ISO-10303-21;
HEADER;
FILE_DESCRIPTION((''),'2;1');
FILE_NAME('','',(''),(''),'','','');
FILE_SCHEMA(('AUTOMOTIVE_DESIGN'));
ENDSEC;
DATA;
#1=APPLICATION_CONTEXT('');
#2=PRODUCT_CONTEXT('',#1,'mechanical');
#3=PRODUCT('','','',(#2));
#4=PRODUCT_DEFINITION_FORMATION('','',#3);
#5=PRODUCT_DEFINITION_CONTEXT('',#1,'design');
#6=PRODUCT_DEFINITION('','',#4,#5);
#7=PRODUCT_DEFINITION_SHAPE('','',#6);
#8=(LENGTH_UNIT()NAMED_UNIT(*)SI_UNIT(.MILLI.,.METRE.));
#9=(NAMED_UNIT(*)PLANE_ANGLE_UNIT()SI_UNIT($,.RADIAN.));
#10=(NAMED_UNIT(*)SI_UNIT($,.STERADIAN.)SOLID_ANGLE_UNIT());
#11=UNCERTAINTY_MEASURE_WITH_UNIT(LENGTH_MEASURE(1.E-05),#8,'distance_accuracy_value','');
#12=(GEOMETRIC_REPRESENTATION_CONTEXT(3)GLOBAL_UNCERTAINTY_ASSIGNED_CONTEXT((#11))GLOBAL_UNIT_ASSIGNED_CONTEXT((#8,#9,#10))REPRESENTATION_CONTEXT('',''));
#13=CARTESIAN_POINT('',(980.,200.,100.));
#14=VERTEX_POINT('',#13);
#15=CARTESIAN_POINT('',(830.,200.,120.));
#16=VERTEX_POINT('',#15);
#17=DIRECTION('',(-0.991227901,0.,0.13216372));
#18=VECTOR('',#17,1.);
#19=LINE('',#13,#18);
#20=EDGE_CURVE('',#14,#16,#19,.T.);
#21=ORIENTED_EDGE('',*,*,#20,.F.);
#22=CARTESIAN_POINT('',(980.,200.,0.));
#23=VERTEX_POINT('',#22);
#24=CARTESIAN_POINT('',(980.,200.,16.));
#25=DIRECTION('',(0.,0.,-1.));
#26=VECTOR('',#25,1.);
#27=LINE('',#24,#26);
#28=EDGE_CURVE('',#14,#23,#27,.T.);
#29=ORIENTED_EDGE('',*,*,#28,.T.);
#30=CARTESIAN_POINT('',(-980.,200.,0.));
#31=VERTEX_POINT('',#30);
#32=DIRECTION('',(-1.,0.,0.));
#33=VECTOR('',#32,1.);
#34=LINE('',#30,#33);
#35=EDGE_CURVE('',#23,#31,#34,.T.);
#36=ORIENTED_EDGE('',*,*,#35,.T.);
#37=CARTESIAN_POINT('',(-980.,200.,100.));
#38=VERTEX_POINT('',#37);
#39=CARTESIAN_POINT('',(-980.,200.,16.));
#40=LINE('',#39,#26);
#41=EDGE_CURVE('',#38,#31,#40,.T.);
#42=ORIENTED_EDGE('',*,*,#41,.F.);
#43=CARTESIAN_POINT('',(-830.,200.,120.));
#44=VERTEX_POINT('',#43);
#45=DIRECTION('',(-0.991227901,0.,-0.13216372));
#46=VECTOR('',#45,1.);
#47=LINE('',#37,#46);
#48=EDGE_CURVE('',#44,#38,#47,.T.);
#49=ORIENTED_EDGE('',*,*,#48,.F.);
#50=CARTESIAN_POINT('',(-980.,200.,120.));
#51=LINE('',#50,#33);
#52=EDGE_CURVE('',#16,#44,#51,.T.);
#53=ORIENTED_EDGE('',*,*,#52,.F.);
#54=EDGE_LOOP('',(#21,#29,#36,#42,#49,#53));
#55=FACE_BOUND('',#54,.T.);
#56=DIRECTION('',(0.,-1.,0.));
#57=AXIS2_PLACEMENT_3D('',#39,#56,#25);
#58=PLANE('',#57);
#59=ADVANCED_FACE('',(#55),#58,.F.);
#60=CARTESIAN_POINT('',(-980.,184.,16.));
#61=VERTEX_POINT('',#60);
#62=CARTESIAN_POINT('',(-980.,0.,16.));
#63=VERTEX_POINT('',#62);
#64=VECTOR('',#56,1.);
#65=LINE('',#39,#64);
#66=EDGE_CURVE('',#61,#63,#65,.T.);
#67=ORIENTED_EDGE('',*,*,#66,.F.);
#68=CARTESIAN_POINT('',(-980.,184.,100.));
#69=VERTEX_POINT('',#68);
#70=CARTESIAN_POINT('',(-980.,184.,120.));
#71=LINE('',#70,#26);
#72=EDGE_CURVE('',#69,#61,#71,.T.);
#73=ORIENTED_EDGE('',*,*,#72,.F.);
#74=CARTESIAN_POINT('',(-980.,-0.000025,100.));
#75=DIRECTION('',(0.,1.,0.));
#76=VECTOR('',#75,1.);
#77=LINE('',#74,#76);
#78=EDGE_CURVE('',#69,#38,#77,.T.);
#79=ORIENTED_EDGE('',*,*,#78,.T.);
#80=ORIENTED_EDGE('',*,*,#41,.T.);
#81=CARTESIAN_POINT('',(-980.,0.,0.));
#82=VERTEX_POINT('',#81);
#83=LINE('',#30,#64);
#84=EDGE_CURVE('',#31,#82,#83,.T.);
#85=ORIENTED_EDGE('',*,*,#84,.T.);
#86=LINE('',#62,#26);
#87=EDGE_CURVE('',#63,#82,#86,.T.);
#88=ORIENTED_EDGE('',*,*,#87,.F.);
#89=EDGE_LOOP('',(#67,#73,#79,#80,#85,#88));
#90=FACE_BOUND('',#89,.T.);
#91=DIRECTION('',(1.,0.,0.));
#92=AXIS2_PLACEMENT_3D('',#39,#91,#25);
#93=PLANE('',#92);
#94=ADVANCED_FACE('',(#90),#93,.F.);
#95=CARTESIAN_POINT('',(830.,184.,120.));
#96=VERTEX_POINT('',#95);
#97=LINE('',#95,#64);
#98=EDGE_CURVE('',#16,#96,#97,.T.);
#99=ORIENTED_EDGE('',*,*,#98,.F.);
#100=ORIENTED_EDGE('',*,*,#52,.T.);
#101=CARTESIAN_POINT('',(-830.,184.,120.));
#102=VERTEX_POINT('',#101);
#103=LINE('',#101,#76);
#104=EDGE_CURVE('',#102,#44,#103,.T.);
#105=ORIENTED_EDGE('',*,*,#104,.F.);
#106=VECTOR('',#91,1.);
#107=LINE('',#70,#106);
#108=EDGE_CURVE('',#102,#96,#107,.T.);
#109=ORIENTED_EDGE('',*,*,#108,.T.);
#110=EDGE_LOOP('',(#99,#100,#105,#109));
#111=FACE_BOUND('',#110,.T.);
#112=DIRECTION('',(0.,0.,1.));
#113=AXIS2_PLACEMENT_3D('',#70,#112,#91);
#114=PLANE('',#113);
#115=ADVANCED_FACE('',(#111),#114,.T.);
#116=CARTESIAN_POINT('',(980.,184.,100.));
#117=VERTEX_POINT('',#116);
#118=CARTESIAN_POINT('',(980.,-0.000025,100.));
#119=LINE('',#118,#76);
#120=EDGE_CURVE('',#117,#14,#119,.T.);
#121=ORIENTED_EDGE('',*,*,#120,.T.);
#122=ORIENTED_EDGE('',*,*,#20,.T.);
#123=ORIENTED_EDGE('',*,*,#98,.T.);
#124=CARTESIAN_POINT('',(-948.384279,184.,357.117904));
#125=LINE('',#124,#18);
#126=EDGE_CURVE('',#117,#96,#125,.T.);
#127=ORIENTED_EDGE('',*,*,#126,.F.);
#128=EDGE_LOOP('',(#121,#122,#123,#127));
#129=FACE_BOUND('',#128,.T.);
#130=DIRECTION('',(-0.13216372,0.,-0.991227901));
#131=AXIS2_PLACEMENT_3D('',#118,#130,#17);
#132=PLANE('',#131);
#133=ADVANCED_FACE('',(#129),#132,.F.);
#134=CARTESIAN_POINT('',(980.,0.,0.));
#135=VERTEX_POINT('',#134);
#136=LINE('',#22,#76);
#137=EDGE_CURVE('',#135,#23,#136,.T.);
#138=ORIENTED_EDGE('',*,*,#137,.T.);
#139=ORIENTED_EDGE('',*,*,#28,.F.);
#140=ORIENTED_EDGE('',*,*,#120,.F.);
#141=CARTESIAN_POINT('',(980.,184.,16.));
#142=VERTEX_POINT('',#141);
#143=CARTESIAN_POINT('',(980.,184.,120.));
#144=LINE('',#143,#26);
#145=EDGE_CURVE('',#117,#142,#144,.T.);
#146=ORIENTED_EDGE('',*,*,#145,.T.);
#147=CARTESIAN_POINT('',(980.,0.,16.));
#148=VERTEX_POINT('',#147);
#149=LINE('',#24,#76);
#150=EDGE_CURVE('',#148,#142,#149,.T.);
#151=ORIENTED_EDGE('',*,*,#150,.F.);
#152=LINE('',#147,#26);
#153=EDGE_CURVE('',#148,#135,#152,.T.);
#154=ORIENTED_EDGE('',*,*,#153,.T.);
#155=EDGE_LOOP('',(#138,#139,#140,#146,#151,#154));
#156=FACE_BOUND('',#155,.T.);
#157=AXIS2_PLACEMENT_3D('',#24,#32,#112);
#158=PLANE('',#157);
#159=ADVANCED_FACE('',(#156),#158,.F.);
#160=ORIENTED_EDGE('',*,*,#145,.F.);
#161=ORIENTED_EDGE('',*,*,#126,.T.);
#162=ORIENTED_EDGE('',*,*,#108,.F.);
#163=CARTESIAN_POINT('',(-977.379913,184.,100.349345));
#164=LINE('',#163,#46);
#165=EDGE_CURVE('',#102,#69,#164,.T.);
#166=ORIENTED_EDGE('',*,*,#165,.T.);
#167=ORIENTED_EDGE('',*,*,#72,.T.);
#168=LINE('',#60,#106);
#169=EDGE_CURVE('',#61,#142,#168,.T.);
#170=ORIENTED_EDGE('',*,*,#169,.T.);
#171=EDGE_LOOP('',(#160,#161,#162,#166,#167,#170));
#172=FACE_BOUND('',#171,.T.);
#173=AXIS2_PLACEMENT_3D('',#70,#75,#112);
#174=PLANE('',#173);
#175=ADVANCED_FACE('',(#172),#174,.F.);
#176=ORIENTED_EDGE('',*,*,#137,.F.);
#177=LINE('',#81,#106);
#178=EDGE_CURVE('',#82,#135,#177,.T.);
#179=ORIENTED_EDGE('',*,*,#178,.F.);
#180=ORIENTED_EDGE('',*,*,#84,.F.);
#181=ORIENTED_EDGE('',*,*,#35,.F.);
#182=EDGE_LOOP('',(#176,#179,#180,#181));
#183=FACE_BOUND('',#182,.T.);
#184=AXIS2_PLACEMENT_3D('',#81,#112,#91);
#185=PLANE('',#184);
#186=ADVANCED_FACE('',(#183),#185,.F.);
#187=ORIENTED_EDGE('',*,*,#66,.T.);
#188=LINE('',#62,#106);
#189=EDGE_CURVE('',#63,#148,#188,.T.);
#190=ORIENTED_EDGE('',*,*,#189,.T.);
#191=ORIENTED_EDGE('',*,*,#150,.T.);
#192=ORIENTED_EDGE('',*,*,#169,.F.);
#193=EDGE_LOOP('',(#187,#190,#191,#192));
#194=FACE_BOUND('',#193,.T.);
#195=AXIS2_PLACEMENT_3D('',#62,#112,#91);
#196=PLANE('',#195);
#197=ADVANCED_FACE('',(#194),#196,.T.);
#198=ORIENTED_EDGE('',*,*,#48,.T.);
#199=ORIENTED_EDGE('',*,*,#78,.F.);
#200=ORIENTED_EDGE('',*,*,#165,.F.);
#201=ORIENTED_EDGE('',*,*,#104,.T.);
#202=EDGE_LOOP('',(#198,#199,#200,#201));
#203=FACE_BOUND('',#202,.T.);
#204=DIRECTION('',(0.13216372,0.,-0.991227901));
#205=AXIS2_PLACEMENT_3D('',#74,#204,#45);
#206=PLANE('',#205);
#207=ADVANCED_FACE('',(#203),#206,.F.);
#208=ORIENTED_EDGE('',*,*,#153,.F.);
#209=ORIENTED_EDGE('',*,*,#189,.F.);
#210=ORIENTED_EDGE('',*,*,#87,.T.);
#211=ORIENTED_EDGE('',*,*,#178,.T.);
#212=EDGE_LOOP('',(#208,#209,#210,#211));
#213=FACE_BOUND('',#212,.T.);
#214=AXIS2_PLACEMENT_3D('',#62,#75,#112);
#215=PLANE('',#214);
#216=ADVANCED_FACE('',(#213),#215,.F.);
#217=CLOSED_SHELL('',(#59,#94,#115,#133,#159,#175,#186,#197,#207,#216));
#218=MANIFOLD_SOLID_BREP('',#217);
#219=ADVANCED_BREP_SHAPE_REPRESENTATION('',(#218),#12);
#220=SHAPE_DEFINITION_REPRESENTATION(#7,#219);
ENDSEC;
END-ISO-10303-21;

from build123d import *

# Parameters (mm, degrees)
SKETCH_1_W          = 1960
SKETCH_1_H          = 200
EXTRUDE_1447_DEPTH  = 16
SKETCH_2_W          = 1960
SKETCH_2_H          = 16
EXTRUDE_1_DEPTH     = 104
CUT_EXTRUDE_1_DEPTH = 1008.372820757


with BuildPart() as part:
    # 草图1 → Extrude 1447 (new body)
    with BuildSketch(Plane.XY):
        with Locations((0, 100)):
            Rectangle(SKETCH_1_W, SKETCH_1_H)
    extrude(amount=EXTRUDE_1447_DEPTH)

    # 草图2 → 凸台-拉伸1 (add)
    with BuildSketch(Plane.XY.offset(16)):
        with Locations((0, 192)):
            Rectangle(SKETCH_2_W, SKETCH_2_H)
    extrude(amount=EXTRUDE_1_DEPTH)

    # 草图3 → 切除-拉伸1 (cut, through all)
    with BuildSketch(Plane(origin=(0, 200, 0), x_dir=(-1, 0, 0), z_dir=(0, 1, 0))):
        Polygon((-980, 100), (-830, 120), (-980, 120), align=None)
        Polygon((980, 100), (830, 120), (980, 120), align=None)
    extrude(amount=-CUT_EXTRUDE_1_DEPTH, mode=Mode.SUBTRACT)


solid = part.part
